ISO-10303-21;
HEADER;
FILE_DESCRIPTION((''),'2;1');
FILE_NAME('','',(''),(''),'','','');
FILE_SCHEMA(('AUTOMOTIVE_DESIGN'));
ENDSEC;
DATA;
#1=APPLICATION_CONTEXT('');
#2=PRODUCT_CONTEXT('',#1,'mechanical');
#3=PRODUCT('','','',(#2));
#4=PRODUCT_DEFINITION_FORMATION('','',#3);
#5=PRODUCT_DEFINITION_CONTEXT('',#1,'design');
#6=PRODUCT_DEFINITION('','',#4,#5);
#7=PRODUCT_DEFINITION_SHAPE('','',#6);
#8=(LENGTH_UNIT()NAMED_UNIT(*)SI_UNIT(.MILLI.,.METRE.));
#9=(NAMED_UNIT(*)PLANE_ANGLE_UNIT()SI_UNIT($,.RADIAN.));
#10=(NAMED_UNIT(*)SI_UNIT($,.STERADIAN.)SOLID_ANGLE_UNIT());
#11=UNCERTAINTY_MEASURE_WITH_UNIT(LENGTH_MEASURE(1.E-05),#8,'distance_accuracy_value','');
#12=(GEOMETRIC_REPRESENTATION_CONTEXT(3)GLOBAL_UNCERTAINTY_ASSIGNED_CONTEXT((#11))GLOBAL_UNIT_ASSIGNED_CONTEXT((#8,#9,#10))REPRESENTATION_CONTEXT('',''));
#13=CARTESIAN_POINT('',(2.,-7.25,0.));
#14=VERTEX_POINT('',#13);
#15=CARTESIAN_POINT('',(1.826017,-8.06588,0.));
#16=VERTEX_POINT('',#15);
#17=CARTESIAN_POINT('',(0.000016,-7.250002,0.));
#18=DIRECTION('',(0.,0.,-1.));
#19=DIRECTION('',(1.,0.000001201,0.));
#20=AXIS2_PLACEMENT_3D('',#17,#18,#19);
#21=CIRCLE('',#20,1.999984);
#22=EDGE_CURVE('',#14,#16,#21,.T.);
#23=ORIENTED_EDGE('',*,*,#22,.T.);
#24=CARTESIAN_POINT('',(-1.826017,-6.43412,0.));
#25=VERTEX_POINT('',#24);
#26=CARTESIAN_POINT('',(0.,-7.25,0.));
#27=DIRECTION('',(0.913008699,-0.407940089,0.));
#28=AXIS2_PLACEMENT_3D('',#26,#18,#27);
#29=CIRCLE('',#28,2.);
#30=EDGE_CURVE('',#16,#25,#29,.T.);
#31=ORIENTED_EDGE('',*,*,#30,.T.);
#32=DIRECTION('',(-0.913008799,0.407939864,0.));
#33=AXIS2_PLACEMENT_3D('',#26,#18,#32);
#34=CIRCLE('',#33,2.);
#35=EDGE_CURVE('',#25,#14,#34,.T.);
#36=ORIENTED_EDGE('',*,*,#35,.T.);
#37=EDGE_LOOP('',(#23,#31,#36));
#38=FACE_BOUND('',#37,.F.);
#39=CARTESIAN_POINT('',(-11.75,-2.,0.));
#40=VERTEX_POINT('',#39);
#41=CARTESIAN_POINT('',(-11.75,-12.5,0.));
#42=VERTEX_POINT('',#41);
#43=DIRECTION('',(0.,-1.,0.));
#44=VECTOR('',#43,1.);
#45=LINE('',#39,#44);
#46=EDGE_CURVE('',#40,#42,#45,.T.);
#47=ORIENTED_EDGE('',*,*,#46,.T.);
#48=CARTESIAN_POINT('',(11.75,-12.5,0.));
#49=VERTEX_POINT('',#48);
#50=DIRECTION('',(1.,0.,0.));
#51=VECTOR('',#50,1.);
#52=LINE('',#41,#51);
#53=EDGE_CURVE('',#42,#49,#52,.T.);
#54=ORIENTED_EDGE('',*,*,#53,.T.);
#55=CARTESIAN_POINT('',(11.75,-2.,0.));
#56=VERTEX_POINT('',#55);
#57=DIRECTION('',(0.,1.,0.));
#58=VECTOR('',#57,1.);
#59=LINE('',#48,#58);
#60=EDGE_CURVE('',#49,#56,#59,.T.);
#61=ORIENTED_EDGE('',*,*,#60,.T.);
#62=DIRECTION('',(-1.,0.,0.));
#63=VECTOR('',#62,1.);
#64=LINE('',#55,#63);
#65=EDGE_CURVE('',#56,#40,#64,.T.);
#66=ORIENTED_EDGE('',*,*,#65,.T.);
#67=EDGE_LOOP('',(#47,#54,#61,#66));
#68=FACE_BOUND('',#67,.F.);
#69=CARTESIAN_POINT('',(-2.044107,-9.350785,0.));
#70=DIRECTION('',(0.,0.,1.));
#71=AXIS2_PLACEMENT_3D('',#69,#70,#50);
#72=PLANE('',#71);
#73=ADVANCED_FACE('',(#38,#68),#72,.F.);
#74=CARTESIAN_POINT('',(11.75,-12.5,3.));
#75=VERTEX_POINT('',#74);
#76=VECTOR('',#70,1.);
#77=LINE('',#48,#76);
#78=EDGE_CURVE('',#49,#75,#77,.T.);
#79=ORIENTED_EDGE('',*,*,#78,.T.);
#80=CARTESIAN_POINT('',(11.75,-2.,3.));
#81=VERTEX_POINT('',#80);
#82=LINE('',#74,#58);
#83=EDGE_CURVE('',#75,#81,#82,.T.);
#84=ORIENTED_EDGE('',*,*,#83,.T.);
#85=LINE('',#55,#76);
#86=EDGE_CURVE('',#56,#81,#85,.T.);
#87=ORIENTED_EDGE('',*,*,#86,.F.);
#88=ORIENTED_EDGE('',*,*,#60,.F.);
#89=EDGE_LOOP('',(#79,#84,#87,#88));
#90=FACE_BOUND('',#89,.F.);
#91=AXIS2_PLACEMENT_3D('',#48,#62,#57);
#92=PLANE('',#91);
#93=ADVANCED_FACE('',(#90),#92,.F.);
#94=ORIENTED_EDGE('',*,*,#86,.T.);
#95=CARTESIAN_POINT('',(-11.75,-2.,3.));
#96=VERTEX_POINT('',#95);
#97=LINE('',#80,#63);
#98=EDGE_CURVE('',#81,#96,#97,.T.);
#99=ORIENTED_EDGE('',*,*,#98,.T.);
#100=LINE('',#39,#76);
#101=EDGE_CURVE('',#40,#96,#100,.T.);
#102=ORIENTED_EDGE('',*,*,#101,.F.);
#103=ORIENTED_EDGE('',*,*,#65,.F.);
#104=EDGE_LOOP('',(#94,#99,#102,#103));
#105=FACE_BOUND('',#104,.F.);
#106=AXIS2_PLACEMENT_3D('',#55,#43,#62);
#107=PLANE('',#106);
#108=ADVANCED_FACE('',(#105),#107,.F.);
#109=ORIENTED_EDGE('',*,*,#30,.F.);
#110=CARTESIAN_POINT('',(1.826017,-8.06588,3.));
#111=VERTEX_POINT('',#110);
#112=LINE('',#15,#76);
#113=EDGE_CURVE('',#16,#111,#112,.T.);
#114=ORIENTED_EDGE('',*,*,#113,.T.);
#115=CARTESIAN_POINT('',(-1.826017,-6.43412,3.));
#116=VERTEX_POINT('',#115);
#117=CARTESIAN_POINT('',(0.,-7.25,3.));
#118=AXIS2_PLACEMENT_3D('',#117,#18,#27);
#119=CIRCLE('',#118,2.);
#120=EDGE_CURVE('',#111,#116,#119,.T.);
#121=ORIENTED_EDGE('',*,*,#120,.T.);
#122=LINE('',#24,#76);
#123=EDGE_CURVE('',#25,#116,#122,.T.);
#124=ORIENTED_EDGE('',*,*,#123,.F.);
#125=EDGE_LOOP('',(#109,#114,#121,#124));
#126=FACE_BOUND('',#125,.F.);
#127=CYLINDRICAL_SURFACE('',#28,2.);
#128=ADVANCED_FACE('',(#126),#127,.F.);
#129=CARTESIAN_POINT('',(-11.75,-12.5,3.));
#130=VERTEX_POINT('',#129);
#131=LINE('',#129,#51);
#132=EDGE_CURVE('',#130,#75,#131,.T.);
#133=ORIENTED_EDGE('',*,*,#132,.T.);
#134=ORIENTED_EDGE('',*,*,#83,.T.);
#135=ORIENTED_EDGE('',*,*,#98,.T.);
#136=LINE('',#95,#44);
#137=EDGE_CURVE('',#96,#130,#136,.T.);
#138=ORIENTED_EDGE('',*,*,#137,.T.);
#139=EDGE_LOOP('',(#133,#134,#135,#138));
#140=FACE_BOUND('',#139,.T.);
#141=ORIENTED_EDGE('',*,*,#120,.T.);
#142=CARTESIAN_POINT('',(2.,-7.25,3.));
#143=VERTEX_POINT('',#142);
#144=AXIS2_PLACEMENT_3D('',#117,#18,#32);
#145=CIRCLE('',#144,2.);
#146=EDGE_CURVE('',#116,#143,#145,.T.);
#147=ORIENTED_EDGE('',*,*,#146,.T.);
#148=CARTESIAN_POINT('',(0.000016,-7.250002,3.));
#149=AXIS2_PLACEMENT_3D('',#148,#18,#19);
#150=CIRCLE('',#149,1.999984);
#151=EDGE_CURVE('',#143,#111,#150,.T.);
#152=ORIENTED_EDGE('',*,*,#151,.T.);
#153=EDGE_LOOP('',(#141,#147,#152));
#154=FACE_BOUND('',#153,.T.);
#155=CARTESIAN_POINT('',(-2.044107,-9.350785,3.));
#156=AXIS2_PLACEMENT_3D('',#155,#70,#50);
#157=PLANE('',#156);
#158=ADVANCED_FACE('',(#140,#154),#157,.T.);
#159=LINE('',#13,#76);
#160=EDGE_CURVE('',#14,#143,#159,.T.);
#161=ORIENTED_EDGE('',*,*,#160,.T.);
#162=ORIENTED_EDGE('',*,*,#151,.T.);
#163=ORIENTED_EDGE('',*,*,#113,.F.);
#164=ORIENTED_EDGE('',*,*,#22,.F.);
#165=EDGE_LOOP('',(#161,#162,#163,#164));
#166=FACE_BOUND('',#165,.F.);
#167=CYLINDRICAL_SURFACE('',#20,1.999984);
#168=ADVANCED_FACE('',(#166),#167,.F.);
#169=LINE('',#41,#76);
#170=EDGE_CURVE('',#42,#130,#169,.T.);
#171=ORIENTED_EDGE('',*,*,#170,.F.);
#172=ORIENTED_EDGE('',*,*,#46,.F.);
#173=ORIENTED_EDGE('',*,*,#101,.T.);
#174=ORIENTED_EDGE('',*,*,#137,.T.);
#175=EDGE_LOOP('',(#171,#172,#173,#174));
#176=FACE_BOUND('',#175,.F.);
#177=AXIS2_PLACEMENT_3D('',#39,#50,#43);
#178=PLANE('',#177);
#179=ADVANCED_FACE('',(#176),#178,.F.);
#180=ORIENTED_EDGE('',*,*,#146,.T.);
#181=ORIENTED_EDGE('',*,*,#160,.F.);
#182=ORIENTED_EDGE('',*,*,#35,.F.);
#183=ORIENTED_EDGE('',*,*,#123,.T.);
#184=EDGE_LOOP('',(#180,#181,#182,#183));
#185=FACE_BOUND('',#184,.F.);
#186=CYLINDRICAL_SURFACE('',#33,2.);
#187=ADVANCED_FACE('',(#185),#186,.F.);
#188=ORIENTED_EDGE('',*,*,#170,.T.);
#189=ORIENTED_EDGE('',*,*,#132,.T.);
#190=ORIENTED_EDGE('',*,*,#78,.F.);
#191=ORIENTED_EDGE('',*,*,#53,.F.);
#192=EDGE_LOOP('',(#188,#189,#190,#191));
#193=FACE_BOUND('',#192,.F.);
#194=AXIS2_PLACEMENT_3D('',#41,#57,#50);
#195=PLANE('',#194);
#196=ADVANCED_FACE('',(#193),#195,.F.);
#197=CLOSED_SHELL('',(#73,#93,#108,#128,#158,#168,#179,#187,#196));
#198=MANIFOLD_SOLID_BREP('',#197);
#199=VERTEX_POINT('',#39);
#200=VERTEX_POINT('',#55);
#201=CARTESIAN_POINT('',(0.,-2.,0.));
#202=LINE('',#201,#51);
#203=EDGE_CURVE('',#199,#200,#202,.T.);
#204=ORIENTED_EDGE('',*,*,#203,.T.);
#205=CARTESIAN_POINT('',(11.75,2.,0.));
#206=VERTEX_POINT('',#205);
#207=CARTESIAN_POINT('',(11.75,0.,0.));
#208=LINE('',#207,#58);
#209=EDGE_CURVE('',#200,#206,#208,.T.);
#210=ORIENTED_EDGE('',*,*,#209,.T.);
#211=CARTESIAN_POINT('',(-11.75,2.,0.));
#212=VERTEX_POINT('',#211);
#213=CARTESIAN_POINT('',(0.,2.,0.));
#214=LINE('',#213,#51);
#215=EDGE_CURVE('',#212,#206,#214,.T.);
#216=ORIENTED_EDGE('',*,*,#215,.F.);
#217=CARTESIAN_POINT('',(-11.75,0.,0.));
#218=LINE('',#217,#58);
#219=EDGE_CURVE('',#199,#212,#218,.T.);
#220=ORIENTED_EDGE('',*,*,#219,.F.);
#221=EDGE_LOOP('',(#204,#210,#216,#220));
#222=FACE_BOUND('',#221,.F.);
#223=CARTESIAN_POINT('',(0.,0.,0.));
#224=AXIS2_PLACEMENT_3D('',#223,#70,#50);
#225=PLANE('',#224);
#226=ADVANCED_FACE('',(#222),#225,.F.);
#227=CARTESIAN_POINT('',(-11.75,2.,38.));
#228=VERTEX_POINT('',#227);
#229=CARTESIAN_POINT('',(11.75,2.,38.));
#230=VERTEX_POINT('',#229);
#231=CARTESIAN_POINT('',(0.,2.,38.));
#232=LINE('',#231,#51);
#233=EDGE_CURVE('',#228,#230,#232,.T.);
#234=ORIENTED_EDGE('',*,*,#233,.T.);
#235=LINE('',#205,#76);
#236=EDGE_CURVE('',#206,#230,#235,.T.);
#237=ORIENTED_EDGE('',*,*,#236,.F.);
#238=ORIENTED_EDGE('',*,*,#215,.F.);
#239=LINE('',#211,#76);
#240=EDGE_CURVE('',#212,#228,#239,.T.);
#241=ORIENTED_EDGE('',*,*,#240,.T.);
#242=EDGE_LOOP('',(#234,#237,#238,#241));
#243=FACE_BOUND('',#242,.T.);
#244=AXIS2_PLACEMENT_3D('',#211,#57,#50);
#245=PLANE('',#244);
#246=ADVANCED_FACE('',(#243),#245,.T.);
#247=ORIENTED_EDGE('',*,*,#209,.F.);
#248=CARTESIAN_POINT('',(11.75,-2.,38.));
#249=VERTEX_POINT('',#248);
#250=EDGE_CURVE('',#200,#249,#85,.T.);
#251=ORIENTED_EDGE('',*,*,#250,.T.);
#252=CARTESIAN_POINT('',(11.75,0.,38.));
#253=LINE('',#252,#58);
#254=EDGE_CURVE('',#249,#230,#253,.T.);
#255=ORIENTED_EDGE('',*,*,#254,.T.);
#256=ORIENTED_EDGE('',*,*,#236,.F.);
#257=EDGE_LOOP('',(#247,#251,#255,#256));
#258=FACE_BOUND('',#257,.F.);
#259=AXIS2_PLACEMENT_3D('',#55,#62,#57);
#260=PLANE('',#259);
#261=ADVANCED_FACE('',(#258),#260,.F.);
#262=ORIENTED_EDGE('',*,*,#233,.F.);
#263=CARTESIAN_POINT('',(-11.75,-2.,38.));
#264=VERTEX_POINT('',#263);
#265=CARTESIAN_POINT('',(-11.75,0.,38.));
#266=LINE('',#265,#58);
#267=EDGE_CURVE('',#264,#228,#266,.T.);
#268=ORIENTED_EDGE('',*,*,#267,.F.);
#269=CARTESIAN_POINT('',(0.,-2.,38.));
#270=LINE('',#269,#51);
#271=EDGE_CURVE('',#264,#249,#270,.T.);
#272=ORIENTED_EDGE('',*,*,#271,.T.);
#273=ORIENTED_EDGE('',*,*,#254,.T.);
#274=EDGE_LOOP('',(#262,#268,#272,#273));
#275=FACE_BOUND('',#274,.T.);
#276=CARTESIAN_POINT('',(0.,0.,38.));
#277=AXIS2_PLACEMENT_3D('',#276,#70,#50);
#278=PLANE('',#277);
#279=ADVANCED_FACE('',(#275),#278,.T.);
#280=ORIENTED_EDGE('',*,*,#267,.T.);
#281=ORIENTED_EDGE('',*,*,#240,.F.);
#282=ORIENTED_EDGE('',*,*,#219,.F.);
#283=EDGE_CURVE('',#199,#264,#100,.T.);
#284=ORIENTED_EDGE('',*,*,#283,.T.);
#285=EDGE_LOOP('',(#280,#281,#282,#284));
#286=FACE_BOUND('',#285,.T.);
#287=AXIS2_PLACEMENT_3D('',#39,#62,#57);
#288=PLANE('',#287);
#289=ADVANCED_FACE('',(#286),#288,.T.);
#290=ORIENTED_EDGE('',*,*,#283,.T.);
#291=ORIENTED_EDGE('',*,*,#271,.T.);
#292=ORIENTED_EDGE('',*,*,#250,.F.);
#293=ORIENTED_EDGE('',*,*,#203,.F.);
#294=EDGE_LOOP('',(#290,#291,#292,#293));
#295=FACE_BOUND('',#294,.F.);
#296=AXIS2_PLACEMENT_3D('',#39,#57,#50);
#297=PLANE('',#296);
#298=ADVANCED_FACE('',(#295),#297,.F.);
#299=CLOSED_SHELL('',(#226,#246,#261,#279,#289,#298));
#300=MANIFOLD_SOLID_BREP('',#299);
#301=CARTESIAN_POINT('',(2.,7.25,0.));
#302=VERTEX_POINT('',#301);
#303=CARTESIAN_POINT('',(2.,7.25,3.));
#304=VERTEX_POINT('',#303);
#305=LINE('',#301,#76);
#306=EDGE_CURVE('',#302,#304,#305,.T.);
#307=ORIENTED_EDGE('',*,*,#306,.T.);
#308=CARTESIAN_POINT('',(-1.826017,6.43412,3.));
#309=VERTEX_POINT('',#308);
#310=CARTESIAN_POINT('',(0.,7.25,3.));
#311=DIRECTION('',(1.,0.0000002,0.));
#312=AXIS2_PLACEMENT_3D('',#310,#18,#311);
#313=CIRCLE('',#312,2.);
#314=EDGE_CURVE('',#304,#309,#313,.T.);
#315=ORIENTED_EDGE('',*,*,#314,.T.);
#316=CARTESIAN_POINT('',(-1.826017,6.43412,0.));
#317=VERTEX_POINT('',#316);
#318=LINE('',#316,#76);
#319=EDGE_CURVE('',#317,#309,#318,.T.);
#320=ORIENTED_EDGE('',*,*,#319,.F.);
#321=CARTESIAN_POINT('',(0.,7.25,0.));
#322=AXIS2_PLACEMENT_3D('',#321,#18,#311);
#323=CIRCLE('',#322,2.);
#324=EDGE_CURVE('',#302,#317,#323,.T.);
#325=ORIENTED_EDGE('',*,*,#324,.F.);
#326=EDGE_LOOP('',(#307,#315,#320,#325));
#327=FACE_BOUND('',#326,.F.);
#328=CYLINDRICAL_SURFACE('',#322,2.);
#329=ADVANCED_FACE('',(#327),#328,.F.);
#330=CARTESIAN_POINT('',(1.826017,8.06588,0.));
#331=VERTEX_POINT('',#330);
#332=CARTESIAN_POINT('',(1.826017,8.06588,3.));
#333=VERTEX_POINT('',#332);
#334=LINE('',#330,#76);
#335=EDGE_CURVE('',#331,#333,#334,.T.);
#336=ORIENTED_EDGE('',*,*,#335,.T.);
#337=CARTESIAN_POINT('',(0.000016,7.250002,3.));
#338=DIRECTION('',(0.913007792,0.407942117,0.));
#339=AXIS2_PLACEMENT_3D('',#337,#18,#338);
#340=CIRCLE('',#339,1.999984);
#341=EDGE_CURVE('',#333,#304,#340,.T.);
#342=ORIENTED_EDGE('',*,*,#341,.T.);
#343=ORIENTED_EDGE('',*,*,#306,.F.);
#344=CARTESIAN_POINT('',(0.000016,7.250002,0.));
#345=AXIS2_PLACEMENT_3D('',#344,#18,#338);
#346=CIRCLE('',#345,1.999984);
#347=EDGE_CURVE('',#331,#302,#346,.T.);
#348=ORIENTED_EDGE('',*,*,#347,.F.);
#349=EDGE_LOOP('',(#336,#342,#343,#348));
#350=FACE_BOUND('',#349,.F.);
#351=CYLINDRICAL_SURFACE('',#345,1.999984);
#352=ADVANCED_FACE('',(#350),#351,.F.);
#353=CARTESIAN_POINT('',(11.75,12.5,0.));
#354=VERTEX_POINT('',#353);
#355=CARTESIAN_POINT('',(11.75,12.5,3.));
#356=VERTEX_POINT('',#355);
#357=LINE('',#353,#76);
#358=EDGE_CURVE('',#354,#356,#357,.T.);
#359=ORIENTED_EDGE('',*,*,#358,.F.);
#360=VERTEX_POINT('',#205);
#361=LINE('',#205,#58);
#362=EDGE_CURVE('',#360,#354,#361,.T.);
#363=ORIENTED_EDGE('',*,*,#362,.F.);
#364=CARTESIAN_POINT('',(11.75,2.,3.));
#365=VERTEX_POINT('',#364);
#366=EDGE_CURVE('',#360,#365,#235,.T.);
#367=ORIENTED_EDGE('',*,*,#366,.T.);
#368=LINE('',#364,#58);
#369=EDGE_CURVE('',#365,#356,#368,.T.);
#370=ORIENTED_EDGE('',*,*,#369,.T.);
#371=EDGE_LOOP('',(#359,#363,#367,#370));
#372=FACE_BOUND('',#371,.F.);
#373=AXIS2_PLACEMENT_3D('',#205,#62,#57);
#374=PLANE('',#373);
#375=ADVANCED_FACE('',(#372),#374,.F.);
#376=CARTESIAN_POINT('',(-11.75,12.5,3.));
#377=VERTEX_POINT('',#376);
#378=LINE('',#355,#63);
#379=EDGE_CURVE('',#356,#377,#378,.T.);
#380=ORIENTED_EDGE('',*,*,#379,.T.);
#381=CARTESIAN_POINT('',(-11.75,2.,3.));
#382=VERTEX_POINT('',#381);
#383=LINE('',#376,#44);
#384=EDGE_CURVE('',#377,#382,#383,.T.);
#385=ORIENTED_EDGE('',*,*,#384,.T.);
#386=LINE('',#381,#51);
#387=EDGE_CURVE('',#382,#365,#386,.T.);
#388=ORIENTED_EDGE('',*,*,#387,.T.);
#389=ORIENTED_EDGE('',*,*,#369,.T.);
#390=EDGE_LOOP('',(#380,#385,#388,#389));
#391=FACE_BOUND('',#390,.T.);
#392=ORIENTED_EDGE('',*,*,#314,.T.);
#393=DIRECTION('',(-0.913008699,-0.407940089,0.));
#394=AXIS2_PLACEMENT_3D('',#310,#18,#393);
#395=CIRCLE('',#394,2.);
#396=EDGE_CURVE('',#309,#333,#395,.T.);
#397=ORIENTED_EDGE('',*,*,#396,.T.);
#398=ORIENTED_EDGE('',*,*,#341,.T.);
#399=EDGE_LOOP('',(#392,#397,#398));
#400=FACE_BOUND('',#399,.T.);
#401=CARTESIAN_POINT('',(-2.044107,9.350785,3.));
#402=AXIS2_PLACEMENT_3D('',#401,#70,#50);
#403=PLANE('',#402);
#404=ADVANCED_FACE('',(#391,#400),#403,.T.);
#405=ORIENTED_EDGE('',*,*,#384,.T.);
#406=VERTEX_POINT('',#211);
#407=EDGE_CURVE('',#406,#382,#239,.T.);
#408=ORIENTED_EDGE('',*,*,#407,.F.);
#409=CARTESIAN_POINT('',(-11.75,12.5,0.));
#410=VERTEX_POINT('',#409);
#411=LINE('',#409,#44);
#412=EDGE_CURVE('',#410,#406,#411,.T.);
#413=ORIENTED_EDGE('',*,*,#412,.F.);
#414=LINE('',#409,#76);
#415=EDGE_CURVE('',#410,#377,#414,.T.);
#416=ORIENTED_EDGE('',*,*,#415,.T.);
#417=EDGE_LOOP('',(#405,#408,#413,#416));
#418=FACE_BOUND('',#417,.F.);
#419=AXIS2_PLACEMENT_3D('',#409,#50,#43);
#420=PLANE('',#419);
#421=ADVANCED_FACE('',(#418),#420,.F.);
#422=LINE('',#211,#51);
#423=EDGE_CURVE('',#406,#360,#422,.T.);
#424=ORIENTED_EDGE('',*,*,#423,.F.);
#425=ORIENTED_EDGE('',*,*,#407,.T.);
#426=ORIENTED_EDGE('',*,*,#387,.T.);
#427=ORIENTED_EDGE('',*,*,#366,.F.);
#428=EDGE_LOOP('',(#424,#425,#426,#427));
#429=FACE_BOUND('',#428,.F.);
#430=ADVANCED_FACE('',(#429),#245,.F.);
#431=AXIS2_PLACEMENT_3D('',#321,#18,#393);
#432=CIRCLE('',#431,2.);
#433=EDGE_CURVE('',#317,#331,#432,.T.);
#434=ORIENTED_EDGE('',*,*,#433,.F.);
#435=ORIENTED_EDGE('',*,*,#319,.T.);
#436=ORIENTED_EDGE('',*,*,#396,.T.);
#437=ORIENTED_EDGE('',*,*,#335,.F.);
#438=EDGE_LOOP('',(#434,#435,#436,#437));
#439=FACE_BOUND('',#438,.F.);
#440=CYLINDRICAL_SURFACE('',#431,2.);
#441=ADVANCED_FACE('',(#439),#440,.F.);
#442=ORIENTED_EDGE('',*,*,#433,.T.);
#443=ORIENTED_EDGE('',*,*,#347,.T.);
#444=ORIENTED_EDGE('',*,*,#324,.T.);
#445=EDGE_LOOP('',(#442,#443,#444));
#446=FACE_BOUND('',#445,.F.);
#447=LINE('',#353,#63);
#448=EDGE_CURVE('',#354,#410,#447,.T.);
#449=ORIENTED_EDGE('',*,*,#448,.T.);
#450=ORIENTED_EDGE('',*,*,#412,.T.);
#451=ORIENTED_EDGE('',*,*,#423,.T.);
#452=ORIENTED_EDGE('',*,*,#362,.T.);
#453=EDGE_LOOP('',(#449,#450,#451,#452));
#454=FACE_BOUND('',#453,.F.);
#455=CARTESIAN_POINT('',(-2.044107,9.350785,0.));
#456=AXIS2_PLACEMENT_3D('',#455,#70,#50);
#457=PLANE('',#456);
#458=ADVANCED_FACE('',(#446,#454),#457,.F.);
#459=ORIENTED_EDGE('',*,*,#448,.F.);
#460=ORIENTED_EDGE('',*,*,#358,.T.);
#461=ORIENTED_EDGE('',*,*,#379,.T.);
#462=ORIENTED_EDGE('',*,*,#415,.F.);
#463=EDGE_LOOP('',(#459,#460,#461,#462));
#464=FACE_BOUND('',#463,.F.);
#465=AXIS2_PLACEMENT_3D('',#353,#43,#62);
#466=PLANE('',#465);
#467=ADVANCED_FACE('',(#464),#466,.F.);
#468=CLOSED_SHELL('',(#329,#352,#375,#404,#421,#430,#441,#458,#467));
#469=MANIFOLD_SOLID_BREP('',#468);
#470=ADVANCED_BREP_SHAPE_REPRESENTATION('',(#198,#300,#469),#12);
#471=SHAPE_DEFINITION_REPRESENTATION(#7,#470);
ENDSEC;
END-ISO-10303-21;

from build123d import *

# Parameters (mm, degrees)
F1_DEPTH = 3
F0_W     = 23.5
F0_H     = 4
F2_DEPTH = 38


with BuildPart() as f1:
    # F0 (on Top) → F1 (new body)
    with BuildSketch(Plane.XY):
        with BuildLine():
            Line((1.826017, 8.06588), (11.75, 12.5))
            Line((11.75, 12.5), (-11.75, 12.5))
            Line((-11.75, 12.5), (-11.75, 2))
            Line((-11.75, 2), (-1.826017, 6.43412))
            ThreePointArc((-1.826017, 6.43412), (-0.81588, 9.076017), (1.826017, 8.06588))
        make_face()
        with BuildLine():
            Line((11.75, 2), (11.75, 12.5))
            Line((11.75, 12.5), (1.826017, 8.06588))
            ThreePointArc((1.826017, 8.06588), (1.956021, 7.667112), (2, 7.25))
            ThreePointArc((2, 7.25), (0.417112, 5.293979), (-1.826017, 6.43412))
            Line((-1.826017, 6.43412), (-11.75, 2))
            Line((-11.75, 2), (11.75, 2))
        make_face()
        with BuildLine():
            Line((-1.826017, -6.43412), (-11.75, -2))
            Line((-11.75, -2), (-11.75, -12.5))
            Line((-11.75, -12.5), (11.75, -12.5))
            Line((11.75, -12.5), (1.826017, -8.06588))
            ThreePointArc((1.826017, -8.06588), (-0.81588, -9.076017), (-1.826017, -6.43412))
        make_face()
        with BuildLine():
            Line((11.75, -12.5), (11.75, -2))
            Line((11.75, -2), (-11.75, -2))
            Line((-11.75, -2), (-1.826017, -6.43412))
            ThreePointArc((-1.826017, -6.43412), (0.417112, -5.293979), (2, -7.25))
            ThreePointArc((2, -7.25), (1.956021, -7.667112), (1.826017, -8.06588))
            Line((1.826017, -8.06588), (11.75, -12.5))
        make_face()
    extrude(amount=F1_DEPTH)


with BuildPart() as f2:
    # F0 (on Top) → F2 (new body)
    with BuildSketch(Plane.XY):
        Rectangle(F0_W, F0_H)
    extrude(amount=F2_DEPTH)


solid = Compound([f1.part, f2.part])
